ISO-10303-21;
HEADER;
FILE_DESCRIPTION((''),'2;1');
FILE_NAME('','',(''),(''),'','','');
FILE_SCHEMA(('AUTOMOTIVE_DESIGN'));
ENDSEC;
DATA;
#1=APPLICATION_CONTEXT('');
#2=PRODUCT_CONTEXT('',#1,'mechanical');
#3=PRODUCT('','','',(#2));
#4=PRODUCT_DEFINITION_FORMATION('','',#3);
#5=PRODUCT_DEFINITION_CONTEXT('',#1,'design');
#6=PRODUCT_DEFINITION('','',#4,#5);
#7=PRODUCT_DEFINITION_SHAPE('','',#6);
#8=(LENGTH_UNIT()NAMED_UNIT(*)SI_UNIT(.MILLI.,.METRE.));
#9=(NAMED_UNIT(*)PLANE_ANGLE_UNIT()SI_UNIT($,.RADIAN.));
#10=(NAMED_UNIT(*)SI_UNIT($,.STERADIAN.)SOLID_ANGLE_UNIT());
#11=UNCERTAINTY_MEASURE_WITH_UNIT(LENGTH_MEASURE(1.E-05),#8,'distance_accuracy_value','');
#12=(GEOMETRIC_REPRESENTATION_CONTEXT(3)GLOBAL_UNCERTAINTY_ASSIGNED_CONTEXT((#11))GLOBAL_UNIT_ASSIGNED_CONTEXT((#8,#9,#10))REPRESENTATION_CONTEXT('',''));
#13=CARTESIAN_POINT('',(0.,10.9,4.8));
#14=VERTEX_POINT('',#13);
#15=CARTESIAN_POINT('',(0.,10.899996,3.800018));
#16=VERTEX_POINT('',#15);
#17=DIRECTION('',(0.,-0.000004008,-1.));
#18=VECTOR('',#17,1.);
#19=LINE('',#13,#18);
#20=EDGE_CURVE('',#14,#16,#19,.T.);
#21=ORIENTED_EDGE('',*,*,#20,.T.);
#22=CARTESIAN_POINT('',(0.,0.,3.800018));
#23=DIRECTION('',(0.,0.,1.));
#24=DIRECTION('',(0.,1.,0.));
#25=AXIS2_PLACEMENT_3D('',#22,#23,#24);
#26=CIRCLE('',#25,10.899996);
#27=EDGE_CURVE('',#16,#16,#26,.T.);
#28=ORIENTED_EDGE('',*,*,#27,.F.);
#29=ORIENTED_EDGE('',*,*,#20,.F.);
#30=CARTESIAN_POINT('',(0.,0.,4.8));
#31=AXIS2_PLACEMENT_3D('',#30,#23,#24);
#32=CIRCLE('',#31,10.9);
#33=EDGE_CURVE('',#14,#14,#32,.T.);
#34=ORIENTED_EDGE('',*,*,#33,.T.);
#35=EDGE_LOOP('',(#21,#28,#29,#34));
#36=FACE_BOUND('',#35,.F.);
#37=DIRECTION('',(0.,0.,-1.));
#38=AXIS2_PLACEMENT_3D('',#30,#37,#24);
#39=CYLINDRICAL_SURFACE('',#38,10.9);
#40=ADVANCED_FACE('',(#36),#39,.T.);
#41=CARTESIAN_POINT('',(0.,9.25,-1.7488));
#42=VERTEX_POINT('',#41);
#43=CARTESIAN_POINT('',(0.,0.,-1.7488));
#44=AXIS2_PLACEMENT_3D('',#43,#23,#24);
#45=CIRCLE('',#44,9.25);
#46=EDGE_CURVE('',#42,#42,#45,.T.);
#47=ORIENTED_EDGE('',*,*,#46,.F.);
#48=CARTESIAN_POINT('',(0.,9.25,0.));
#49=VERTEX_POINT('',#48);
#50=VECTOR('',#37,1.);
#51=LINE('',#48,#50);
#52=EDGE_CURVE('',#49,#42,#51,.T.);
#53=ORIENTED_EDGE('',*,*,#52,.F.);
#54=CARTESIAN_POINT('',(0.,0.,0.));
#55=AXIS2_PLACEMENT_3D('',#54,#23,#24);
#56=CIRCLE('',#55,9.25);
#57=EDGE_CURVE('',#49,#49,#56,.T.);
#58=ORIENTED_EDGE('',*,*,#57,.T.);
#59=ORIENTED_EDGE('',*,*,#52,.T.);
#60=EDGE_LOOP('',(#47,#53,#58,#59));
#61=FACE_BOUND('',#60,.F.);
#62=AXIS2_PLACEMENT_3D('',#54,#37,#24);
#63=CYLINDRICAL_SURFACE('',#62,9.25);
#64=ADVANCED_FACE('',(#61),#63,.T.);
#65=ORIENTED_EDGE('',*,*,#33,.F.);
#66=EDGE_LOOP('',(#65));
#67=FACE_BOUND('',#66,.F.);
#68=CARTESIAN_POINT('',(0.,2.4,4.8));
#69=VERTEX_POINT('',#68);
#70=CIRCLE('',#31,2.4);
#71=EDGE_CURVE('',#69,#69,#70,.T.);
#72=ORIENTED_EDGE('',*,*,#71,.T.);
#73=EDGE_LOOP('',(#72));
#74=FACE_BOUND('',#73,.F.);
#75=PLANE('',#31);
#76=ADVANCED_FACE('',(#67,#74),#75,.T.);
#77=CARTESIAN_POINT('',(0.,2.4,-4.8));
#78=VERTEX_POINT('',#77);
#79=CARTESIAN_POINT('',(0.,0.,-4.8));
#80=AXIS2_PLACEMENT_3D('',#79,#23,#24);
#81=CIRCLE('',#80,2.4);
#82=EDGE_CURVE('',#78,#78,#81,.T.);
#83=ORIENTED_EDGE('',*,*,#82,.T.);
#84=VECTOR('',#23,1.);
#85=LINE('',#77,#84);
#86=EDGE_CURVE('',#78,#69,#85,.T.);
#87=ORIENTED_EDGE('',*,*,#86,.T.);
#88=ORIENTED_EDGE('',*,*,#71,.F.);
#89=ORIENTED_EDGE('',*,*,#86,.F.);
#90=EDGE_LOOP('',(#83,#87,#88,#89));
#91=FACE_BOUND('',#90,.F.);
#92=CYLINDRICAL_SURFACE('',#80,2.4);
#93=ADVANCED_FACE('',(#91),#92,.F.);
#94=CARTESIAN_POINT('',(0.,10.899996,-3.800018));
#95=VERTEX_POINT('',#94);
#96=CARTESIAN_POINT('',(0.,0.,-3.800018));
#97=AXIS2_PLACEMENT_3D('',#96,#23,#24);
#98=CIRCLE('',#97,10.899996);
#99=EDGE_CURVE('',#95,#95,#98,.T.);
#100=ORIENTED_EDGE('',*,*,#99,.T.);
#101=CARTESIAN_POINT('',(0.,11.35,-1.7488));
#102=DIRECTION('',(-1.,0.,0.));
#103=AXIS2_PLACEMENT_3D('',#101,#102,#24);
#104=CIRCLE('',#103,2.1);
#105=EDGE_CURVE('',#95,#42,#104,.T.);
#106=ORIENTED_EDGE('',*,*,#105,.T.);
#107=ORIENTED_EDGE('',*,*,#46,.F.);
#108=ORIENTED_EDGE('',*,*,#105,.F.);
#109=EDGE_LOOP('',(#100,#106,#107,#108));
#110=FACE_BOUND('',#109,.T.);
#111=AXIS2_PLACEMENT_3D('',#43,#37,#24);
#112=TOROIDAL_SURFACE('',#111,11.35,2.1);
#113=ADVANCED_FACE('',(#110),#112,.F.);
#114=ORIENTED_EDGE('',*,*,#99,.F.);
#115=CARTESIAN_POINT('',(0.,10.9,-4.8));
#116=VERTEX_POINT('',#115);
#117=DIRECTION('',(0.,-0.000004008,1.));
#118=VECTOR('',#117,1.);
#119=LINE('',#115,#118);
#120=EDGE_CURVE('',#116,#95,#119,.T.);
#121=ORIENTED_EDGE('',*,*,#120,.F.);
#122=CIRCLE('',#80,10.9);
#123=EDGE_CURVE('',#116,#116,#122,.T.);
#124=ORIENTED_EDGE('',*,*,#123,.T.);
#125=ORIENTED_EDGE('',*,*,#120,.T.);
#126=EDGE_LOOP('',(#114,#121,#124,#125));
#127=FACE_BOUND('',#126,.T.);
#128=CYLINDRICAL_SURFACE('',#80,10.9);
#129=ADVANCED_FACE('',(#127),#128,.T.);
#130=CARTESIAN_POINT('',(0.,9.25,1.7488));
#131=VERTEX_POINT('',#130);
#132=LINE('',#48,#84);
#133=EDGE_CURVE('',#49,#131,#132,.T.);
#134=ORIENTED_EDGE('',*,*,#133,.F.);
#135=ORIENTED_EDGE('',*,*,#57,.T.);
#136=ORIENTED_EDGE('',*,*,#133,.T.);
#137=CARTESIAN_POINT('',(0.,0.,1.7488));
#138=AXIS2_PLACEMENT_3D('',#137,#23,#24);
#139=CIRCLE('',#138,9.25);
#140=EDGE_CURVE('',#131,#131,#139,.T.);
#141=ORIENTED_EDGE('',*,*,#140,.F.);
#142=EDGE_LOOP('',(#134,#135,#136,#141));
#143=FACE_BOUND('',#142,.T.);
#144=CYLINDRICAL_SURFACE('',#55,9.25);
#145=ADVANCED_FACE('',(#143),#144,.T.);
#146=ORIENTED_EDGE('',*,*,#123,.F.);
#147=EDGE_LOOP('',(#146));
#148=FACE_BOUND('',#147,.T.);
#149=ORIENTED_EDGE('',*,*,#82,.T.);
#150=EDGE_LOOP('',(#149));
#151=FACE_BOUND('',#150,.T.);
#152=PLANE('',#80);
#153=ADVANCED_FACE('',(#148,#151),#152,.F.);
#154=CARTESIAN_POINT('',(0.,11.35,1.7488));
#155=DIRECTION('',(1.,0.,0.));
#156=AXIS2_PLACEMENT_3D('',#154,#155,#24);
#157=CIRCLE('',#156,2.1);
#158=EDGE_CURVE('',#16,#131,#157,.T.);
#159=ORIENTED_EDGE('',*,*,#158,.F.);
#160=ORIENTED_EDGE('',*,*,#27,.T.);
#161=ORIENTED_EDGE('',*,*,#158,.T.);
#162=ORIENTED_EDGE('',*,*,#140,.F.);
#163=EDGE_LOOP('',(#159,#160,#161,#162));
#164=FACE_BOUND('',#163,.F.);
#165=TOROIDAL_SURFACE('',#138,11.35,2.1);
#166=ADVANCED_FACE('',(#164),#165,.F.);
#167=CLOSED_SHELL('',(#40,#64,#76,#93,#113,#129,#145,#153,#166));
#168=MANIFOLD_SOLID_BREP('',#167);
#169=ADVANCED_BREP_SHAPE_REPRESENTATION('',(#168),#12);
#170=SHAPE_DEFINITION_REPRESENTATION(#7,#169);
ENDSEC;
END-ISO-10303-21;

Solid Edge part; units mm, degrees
sketch "Sketch1" plane through (0, 0, 0) normal (1, 0, 0) x (0, 1, 0)
  line L0 (2.4, -4.8) -> (10.9, -4.8)
  line L1 (10.9, -4.8) -> (10.9, -3.8)
  arc A0 (10.9, -3.8) -> (9.25, -1.7488) centre (11.35, -1.7488) cw
  line L2 (9.25, 0) -> (9.25, -1.7488)
  line L3 (9.25, 0) -> (9.25, 1.7488)
  arc A1 (10.9, 3.8) -> (9.25, 1.7488) centre (11.35, 1.7488) ccw
  line L4 (10.9, 4.8) -> (10.9, 3.8)
  line L5 (2.4, 4.8) -> (10.9, 4.8)
  line L6 (2.4, -4.8) -> (2.4, 4.8)
revolve "RevolvedProtrusion1" add sketch "Sketch1" angle 360 about axis through (0, 0, 0) along (0, 0, 1)
